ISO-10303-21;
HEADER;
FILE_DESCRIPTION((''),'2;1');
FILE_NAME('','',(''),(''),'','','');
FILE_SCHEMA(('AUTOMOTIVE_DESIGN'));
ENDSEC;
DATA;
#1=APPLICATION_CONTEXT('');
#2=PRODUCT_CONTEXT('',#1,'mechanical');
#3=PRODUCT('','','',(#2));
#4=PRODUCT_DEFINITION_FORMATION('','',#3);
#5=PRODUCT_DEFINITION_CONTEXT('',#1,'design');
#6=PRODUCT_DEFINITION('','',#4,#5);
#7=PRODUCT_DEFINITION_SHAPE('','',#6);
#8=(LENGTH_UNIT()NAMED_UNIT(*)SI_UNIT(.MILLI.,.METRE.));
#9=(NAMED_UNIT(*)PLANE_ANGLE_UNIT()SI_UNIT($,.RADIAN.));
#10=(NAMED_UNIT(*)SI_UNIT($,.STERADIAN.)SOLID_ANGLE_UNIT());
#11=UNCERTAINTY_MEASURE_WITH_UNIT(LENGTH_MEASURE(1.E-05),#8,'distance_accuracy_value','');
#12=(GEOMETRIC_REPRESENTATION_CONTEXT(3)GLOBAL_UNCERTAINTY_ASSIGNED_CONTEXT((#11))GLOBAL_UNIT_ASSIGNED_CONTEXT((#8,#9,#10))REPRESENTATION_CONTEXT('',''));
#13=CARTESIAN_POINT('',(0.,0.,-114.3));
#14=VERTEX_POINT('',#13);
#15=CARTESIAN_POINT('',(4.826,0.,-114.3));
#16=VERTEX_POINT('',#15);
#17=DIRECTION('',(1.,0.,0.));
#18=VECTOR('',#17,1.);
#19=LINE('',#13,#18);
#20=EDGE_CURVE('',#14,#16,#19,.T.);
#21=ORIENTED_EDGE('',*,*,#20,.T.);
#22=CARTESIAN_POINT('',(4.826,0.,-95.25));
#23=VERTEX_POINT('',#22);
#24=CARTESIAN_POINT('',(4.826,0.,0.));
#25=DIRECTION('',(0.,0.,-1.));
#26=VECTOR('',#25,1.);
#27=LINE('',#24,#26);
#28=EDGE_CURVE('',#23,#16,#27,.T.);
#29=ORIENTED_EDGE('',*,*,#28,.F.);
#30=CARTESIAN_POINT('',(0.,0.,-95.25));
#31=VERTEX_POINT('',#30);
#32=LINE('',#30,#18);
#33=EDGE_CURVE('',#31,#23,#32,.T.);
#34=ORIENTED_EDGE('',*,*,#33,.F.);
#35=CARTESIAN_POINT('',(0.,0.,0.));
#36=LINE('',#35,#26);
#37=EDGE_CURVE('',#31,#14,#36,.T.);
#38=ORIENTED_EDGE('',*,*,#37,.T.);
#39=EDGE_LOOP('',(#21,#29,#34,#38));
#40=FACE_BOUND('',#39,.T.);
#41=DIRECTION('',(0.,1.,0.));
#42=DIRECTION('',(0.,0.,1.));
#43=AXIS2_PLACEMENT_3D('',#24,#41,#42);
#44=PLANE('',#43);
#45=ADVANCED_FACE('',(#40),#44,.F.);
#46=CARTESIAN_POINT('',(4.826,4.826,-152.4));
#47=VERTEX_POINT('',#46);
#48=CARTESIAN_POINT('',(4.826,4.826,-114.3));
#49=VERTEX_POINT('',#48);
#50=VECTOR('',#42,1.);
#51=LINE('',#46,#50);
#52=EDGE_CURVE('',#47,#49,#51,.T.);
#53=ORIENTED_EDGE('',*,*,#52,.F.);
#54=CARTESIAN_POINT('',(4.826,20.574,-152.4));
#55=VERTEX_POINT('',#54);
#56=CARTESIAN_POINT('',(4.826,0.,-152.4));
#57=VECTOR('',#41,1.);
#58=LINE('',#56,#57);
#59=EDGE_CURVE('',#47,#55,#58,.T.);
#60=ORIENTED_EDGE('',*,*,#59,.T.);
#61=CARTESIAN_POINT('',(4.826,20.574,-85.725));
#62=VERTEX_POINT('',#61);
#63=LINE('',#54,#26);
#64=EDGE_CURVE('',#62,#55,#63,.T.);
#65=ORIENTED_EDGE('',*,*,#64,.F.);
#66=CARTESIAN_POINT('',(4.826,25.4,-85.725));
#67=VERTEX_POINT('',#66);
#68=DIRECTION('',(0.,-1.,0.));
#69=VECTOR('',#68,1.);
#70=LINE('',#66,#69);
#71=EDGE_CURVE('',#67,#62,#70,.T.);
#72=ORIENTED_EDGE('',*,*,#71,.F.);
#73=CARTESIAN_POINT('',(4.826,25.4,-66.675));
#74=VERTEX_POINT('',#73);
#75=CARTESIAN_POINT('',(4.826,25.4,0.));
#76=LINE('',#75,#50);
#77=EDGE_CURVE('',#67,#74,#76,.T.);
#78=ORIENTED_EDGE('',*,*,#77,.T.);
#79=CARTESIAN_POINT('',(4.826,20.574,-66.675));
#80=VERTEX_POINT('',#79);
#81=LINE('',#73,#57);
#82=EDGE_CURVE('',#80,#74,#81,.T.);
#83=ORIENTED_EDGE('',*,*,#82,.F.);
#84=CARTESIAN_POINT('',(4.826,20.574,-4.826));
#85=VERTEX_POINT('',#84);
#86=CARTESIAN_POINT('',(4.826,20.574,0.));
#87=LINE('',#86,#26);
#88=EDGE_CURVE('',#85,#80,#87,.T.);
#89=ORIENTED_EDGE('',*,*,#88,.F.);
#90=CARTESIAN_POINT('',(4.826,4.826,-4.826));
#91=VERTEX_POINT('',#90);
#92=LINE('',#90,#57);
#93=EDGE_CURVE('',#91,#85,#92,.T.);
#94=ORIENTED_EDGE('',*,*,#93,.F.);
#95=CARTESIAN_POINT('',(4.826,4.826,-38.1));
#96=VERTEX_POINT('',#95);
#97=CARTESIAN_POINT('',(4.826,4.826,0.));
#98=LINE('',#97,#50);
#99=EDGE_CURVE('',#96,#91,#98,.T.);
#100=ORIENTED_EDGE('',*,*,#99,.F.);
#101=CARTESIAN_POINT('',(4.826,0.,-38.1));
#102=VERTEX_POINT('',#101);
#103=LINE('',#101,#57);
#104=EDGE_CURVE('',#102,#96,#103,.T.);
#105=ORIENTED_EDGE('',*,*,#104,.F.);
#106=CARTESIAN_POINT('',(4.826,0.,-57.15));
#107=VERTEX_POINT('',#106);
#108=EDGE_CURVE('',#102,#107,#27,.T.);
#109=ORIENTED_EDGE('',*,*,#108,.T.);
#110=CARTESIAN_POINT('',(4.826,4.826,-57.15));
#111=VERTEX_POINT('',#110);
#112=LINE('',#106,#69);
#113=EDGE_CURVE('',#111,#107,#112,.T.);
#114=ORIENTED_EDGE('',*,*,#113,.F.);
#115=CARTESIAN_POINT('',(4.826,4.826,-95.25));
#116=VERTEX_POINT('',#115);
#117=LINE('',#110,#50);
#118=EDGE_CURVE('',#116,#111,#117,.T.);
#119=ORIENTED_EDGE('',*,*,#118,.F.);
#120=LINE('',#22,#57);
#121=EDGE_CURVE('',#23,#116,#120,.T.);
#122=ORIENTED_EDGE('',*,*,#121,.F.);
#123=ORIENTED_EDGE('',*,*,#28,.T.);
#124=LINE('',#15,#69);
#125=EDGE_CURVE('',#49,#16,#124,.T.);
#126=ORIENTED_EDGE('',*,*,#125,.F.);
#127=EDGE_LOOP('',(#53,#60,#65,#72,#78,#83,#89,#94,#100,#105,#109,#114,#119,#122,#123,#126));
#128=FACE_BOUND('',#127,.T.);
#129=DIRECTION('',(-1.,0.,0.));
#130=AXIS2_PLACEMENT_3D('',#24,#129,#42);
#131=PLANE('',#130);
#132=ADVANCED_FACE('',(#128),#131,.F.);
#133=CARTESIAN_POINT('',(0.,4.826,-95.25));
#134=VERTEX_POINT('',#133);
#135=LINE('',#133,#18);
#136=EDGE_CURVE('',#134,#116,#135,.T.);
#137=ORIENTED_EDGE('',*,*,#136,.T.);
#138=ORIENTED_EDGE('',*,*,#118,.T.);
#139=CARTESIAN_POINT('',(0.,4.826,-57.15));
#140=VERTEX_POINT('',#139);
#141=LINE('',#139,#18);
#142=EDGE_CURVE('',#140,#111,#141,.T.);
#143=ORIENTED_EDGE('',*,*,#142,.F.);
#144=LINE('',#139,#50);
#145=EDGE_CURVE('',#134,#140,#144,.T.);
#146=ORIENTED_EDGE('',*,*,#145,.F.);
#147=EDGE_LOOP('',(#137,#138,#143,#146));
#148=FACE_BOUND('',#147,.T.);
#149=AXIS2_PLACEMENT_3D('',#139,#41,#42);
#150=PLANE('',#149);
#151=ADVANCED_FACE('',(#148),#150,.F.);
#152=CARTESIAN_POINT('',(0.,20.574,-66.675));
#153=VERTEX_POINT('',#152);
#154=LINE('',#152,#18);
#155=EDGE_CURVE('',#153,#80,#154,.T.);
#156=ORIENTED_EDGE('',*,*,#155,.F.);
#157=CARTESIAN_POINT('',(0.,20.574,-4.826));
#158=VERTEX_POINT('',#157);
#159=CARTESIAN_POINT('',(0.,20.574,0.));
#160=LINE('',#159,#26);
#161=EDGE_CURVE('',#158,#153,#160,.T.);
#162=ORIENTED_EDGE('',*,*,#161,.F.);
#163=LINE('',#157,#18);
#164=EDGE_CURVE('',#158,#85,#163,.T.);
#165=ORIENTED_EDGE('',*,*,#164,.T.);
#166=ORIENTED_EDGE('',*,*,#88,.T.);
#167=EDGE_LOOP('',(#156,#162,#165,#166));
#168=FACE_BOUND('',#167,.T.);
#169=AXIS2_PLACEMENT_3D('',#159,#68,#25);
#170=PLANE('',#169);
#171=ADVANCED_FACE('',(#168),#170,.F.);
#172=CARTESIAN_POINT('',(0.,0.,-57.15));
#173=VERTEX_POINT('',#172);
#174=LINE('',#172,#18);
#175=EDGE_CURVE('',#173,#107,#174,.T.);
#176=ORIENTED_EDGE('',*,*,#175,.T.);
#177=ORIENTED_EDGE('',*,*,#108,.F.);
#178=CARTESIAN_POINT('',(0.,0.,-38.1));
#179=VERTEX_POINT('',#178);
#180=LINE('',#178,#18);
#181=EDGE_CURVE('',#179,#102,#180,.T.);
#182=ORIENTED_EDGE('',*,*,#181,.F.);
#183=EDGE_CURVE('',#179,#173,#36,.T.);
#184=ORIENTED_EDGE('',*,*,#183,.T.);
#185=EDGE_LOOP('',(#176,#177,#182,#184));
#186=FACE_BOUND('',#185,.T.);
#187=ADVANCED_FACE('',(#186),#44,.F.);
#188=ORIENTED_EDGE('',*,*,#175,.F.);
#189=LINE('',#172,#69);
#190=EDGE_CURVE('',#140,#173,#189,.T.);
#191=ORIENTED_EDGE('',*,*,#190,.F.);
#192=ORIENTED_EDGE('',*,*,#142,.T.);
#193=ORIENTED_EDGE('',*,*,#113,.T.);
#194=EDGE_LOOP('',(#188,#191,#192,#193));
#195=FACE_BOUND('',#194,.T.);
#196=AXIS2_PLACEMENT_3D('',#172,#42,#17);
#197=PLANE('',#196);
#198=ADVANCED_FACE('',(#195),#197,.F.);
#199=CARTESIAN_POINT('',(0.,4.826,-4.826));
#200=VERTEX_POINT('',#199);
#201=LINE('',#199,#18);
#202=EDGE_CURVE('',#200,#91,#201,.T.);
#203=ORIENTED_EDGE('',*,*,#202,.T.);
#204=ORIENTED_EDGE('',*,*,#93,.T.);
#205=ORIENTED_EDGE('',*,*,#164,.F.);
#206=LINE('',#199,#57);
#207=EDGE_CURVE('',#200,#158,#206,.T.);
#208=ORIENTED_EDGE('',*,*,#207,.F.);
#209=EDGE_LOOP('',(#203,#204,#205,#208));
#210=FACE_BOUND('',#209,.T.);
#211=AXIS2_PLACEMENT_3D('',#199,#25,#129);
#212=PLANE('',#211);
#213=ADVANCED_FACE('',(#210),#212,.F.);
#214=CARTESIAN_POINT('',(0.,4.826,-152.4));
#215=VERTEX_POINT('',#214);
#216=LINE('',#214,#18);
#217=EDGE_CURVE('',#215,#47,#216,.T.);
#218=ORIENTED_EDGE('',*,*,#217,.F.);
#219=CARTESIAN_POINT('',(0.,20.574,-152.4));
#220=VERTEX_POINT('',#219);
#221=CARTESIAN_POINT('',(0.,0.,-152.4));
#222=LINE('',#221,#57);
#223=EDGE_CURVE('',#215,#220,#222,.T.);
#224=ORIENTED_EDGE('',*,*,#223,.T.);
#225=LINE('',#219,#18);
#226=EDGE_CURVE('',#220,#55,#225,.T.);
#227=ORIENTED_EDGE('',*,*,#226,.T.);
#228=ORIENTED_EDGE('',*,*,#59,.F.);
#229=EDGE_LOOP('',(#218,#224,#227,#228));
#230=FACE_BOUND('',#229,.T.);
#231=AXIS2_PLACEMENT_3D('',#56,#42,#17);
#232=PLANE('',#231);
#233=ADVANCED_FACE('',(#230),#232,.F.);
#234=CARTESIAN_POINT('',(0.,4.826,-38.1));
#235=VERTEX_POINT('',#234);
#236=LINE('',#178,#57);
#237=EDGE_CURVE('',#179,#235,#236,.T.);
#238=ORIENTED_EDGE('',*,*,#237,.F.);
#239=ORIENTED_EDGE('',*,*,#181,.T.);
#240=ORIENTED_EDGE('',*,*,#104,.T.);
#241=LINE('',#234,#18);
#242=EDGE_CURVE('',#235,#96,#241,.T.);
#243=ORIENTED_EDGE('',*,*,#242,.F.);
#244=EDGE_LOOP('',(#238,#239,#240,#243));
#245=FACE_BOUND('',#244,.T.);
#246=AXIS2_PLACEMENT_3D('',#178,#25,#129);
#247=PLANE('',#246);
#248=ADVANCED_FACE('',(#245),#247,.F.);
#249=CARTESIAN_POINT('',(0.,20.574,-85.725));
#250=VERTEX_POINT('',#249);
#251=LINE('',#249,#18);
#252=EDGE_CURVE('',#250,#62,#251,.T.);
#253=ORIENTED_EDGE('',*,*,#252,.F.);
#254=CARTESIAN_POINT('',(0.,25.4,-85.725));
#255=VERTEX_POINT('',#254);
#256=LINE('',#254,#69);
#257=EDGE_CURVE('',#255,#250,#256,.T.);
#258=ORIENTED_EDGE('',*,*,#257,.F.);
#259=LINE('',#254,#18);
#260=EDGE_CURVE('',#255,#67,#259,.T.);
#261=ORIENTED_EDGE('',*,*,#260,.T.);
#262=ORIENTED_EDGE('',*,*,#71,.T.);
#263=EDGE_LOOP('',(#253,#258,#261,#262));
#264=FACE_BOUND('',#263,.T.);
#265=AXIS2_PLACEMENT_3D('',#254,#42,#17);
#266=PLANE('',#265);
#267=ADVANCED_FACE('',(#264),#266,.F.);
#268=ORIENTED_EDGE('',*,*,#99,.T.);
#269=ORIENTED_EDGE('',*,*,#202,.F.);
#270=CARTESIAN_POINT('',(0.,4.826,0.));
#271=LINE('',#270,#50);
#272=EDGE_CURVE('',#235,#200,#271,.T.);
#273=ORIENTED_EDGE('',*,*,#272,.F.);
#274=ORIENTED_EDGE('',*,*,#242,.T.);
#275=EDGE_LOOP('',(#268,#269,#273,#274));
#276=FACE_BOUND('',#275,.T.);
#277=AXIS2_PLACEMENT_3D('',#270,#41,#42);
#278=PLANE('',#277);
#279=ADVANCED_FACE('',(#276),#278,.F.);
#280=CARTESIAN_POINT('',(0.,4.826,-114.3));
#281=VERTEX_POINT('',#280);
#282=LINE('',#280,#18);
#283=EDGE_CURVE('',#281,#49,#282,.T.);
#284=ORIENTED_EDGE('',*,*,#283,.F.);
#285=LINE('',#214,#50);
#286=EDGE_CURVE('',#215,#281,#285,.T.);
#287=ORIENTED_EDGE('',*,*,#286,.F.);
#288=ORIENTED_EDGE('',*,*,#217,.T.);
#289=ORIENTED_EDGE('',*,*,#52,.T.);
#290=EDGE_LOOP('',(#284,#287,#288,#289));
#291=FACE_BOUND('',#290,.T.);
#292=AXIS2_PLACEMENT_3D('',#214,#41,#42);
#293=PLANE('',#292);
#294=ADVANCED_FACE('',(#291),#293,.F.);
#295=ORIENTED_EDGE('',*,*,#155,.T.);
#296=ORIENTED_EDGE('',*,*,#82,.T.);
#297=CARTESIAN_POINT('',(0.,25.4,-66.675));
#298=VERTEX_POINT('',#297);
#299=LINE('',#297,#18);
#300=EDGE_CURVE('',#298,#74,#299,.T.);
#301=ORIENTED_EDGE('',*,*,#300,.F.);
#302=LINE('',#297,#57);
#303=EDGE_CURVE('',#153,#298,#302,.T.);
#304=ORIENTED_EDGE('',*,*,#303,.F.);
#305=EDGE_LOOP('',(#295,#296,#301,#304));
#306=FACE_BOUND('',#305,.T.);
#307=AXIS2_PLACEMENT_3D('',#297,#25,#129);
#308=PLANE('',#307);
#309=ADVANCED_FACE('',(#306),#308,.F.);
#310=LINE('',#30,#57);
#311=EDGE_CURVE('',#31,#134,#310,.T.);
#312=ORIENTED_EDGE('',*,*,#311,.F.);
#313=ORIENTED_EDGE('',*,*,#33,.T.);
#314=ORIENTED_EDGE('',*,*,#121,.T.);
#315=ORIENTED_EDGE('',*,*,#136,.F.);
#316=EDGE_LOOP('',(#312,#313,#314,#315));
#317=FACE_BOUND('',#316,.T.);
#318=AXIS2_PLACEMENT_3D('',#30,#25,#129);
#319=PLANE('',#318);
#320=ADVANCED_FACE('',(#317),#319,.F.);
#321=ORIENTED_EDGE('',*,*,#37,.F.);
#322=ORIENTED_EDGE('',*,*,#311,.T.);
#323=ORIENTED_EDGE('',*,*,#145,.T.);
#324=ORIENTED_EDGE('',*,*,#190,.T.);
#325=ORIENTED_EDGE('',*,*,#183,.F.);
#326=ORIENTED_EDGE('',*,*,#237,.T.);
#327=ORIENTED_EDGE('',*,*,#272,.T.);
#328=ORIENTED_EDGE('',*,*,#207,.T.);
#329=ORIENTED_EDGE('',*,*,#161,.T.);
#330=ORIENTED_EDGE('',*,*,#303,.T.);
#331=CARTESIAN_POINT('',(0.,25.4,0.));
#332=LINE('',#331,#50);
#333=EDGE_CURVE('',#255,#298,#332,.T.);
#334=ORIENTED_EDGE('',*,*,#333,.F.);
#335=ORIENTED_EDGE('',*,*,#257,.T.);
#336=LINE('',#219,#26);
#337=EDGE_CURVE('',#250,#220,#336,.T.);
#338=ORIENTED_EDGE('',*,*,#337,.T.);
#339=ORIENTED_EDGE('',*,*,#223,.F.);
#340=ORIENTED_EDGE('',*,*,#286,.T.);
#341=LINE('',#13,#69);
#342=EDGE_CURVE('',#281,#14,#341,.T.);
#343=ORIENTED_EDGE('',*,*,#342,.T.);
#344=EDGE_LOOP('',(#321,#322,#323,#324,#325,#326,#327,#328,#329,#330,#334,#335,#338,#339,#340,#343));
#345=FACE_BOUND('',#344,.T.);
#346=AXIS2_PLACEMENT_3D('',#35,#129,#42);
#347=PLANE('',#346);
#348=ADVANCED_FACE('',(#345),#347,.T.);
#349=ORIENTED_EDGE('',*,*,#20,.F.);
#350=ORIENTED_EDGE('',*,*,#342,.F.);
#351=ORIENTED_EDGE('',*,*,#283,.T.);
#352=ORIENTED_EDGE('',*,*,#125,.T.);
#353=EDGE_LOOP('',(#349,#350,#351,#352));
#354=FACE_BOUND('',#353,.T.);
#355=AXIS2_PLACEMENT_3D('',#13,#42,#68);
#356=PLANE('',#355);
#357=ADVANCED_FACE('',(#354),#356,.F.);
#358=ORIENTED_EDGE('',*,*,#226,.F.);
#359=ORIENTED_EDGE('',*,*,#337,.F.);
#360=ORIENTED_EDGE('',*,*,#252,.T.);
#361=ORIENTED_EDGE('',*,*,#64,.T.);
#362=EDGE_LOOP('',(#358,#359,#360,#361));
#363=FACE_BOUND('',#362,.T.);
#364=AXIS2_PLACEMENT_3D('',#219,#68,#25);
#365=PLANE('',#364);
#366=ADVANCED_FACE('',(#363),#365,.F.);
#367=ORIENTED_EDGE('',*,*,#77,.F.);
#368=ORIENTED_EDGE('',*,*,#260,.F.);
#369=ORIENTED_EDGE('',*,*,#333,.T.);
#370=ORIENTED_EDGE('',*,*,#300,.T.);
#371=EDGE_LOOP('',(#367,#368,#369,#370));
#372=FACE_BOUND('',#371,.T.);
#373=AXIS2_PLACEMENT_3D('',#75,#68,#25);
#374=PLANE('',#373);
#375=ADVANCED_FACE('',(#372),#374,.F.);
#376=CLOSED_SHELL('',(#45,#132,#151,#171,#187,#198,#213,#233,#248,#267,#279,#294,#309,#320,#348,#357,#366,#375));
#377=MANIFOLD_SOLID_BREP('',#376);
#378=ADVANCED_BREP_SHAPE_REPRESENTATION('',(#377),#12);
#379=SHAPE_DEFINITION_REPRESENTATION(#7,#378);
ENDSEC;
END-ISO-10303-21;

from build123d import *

# Parameters (mm, degrees)
SKETCH1_W               = 152.4
SKETCH1_H               = 25.4
BOSS_EXTRUDE1_DEPTH     = 4.826
SKETCH2_W               = 38.1
SKETCH2_H               = 4.826
BOTTOM_EDGE_SLOTS_DEPTH = 155.577521898
SKETCH4_W               = 66.675
SKETCH4_H               = 4.826
TOP_EDGE_SLOT_DEPTH     = 155.577521898
SKETCH6_W               = 4.826
SKETCH6_H               = 15.748
LEADING_EDGE_CUT_DEPTH  = 155.577521898


with BuildPart() as part:
    # Sketch1 → Boss-Extrude1 (new body)
    with BuildSketch(Plane(origin=(0, 0, 0), x_dir=(0, 0, -1), z_dir=(1, 0, 0))):
        with Locations((76.2, 12.7)):
            Rectangle(SKETCH1_W, SKETCH1_H)
    extrude(amount=BOSS_EXTRUDE1_DEPTH)

    # Sketch2 → Bottom Edge Slots (cut, through all)
    with BuildSketch(Plane(origin=(4.826, 0, 0), x_dir=(0, 0, -1), z_dir=(1, 0, 0))):
        with Locations((19.05, 2.413)):
            Rectangle(SKETCH2_W, SKETCH2_H)
        with Locations((76.2, 2.413)):
            Rectangle(SKETCH2_W, SKETCH2_H)
        with Locations((133.35, 2.413)):
            Rectangle(SKETCH2_W, SKETCH2_H)
    extrude(amount=-BOTTOM_EDGE_SLOTS_DEPTH, mode=Mode.SUBTRACT)

    # Sketch4 → Top Edge Slot (cut, through all)
    with BuildSketch(Plane(origin=(4.826, 0, 0), x_dir=(0, 0, -1), z_dir=(1, 0, 0))):
        with Locations((33.3375, 22.987)):
            Rectangle(SKETCH4_W, SKETCH4_H)
        with Locations((119.0625, 22.987)):
            Rectangle(SKETCH4_W, SKETCH4_H)
    extrude(amount=-TOP_EDGE_SLOT_DEPTH, mode=Mode.SUBTRACT)

    # Sketch6 → Leading Edge Cut (cut, through all)
    with BuildSketch(Plane(origin=(4.826, 0, 0), x_dir=(0, 0, -1), z_dir=(1, 0, 0))):
        with Locations((2.413, 12.7)):
            Rectangle(SKETCH6_W, SKETCH6_H)
    extrude(amount=-LEADING_EDGE_CUT_DEPTH, mode=Mode.SUBTRACT)


solid = part.part
